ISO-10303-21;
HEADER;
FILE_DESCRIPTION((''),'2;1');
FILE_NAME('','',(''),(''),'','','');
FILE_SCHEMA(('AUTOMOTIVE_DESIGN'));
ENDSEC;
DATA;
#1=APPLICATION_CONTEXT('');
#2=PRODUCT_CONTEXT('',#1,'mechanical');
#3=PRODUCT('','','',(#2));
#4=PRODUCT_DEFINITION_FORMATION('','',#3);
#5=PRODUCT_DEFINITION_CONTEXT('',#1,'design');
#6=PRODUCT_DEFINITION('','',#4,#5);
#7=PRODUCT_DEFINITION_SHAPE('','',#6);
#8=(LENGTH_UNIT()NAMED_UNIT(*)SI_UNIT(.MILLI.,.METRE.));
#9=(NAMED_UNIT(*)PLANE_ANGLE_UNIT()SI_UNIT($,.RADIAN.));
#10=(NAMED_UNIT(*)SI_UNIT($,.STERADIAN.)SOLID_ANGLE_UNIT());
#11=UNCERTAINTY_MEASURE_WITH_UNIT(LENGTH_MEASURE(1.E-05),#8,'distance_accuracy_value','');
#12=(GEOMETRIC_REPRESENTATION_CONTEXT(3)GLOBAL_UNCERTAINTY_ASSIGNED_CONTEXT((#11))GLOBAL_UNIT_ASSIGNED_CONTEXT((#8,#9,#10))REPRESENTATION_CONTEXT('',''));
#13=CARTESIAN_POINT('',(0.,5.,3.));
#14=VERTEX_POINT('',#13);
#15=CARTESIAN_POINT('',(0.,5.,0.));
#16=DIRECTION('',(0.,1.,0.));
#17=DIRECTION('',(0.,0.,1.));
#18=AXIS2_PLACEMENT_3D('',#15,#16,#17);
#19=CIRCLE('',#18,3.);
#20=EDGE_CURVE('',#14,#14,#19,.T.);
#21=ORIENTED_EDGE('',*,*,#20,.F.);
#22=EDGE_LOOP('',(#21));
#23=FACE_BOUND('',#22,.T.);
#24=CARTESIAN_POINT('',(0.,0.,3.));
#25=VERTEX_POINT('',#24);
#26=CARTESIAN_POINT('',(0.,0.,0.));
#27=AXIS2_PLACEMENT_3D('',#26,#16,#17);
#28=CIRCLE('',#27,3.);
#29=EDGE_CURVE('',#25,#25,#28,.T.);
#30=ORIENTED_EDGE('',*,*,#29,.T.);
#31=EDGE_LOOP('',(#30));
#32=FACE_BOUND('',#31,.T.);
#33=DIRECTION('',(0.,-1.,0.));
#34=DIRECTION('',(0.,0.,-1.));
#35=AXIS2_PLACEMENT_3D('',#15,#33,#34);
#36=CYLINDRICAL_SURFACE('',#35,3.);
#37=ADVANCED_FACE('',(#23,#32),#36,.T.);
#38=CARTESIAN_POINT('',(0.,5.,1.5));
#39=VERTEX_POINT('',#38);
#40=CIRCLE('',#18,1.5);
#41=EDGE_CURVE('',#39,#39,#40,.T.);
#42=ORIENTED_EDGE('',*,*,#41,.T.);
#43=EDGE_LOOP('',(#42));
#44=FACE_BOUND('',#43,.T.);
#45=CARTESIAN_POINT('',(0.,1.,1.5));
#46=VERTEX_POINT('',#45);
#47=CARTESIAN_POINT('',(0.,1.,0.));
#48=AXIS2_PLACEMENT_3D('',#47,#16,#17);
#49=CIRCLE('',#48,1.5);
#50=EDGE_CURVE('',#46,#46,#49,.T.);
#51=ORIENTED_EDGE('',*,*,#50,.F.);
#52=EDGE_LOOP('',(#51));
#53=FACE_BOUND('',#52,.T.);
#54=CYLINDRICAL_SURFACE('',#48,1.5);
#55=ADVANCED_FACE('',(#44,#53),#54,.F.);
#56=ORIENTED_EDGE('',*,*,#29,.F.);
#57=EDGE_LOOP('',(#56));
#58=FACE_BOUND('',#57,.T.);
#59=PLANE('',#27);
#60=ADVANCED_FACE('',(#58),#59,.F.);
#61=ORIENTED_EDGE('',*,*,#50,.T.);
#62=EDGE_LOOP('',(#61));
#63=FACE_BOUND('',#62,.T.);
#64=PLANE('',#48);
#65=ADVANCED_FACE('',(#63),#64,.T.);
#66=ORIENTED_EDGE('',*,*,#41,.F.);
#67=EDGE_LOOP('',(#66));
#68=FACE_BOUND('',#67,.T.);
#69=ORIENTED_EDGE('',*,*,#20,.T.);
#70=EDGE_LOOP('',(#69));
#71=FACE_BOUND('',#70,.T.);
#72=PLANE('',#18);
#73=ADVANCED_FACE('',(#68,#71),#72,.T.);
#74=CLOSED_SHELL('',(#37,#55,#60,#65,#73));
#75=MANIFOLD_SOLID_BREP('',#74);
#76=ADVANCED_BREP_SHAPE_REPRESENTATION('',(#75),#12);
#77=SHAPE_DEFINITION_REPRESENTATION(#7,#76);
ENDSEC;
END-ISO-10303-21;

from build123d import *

# Parameters (mm, degrees)
SKETCH1_R           = 3
BOSS_EXTRUDE1_DEPTH = 5
SKETCH2_R           = 1.5
CUT_EXTRUDE1_DEPTH  = 4


with BuildPart() as part:
    # Sketch1 → Boss-Extrude1 (new body)
    with BuildSketch(Plane(origin=(0, 0, 0), x_dir=(1, 0, 0), z_dir=(0, 1, 0))):
        Circle(SKETCH1_R)
    extrude(amount=BOSS_EXTRUDE1_DEPTH)

    # Sketch2 → Cut-Extrude1 (cut)
    with BuildSketch(Plane(origin=(0, 5, 0), x_dir=(1, 0, 0), z_dir=(0, 1, 0))):
        Circle(SKETCH2_R)
    extrude(amount=-CUT_EXTRUDE1_DEPTH, mode=Mode.SUBTRACT)


solid = part.part
